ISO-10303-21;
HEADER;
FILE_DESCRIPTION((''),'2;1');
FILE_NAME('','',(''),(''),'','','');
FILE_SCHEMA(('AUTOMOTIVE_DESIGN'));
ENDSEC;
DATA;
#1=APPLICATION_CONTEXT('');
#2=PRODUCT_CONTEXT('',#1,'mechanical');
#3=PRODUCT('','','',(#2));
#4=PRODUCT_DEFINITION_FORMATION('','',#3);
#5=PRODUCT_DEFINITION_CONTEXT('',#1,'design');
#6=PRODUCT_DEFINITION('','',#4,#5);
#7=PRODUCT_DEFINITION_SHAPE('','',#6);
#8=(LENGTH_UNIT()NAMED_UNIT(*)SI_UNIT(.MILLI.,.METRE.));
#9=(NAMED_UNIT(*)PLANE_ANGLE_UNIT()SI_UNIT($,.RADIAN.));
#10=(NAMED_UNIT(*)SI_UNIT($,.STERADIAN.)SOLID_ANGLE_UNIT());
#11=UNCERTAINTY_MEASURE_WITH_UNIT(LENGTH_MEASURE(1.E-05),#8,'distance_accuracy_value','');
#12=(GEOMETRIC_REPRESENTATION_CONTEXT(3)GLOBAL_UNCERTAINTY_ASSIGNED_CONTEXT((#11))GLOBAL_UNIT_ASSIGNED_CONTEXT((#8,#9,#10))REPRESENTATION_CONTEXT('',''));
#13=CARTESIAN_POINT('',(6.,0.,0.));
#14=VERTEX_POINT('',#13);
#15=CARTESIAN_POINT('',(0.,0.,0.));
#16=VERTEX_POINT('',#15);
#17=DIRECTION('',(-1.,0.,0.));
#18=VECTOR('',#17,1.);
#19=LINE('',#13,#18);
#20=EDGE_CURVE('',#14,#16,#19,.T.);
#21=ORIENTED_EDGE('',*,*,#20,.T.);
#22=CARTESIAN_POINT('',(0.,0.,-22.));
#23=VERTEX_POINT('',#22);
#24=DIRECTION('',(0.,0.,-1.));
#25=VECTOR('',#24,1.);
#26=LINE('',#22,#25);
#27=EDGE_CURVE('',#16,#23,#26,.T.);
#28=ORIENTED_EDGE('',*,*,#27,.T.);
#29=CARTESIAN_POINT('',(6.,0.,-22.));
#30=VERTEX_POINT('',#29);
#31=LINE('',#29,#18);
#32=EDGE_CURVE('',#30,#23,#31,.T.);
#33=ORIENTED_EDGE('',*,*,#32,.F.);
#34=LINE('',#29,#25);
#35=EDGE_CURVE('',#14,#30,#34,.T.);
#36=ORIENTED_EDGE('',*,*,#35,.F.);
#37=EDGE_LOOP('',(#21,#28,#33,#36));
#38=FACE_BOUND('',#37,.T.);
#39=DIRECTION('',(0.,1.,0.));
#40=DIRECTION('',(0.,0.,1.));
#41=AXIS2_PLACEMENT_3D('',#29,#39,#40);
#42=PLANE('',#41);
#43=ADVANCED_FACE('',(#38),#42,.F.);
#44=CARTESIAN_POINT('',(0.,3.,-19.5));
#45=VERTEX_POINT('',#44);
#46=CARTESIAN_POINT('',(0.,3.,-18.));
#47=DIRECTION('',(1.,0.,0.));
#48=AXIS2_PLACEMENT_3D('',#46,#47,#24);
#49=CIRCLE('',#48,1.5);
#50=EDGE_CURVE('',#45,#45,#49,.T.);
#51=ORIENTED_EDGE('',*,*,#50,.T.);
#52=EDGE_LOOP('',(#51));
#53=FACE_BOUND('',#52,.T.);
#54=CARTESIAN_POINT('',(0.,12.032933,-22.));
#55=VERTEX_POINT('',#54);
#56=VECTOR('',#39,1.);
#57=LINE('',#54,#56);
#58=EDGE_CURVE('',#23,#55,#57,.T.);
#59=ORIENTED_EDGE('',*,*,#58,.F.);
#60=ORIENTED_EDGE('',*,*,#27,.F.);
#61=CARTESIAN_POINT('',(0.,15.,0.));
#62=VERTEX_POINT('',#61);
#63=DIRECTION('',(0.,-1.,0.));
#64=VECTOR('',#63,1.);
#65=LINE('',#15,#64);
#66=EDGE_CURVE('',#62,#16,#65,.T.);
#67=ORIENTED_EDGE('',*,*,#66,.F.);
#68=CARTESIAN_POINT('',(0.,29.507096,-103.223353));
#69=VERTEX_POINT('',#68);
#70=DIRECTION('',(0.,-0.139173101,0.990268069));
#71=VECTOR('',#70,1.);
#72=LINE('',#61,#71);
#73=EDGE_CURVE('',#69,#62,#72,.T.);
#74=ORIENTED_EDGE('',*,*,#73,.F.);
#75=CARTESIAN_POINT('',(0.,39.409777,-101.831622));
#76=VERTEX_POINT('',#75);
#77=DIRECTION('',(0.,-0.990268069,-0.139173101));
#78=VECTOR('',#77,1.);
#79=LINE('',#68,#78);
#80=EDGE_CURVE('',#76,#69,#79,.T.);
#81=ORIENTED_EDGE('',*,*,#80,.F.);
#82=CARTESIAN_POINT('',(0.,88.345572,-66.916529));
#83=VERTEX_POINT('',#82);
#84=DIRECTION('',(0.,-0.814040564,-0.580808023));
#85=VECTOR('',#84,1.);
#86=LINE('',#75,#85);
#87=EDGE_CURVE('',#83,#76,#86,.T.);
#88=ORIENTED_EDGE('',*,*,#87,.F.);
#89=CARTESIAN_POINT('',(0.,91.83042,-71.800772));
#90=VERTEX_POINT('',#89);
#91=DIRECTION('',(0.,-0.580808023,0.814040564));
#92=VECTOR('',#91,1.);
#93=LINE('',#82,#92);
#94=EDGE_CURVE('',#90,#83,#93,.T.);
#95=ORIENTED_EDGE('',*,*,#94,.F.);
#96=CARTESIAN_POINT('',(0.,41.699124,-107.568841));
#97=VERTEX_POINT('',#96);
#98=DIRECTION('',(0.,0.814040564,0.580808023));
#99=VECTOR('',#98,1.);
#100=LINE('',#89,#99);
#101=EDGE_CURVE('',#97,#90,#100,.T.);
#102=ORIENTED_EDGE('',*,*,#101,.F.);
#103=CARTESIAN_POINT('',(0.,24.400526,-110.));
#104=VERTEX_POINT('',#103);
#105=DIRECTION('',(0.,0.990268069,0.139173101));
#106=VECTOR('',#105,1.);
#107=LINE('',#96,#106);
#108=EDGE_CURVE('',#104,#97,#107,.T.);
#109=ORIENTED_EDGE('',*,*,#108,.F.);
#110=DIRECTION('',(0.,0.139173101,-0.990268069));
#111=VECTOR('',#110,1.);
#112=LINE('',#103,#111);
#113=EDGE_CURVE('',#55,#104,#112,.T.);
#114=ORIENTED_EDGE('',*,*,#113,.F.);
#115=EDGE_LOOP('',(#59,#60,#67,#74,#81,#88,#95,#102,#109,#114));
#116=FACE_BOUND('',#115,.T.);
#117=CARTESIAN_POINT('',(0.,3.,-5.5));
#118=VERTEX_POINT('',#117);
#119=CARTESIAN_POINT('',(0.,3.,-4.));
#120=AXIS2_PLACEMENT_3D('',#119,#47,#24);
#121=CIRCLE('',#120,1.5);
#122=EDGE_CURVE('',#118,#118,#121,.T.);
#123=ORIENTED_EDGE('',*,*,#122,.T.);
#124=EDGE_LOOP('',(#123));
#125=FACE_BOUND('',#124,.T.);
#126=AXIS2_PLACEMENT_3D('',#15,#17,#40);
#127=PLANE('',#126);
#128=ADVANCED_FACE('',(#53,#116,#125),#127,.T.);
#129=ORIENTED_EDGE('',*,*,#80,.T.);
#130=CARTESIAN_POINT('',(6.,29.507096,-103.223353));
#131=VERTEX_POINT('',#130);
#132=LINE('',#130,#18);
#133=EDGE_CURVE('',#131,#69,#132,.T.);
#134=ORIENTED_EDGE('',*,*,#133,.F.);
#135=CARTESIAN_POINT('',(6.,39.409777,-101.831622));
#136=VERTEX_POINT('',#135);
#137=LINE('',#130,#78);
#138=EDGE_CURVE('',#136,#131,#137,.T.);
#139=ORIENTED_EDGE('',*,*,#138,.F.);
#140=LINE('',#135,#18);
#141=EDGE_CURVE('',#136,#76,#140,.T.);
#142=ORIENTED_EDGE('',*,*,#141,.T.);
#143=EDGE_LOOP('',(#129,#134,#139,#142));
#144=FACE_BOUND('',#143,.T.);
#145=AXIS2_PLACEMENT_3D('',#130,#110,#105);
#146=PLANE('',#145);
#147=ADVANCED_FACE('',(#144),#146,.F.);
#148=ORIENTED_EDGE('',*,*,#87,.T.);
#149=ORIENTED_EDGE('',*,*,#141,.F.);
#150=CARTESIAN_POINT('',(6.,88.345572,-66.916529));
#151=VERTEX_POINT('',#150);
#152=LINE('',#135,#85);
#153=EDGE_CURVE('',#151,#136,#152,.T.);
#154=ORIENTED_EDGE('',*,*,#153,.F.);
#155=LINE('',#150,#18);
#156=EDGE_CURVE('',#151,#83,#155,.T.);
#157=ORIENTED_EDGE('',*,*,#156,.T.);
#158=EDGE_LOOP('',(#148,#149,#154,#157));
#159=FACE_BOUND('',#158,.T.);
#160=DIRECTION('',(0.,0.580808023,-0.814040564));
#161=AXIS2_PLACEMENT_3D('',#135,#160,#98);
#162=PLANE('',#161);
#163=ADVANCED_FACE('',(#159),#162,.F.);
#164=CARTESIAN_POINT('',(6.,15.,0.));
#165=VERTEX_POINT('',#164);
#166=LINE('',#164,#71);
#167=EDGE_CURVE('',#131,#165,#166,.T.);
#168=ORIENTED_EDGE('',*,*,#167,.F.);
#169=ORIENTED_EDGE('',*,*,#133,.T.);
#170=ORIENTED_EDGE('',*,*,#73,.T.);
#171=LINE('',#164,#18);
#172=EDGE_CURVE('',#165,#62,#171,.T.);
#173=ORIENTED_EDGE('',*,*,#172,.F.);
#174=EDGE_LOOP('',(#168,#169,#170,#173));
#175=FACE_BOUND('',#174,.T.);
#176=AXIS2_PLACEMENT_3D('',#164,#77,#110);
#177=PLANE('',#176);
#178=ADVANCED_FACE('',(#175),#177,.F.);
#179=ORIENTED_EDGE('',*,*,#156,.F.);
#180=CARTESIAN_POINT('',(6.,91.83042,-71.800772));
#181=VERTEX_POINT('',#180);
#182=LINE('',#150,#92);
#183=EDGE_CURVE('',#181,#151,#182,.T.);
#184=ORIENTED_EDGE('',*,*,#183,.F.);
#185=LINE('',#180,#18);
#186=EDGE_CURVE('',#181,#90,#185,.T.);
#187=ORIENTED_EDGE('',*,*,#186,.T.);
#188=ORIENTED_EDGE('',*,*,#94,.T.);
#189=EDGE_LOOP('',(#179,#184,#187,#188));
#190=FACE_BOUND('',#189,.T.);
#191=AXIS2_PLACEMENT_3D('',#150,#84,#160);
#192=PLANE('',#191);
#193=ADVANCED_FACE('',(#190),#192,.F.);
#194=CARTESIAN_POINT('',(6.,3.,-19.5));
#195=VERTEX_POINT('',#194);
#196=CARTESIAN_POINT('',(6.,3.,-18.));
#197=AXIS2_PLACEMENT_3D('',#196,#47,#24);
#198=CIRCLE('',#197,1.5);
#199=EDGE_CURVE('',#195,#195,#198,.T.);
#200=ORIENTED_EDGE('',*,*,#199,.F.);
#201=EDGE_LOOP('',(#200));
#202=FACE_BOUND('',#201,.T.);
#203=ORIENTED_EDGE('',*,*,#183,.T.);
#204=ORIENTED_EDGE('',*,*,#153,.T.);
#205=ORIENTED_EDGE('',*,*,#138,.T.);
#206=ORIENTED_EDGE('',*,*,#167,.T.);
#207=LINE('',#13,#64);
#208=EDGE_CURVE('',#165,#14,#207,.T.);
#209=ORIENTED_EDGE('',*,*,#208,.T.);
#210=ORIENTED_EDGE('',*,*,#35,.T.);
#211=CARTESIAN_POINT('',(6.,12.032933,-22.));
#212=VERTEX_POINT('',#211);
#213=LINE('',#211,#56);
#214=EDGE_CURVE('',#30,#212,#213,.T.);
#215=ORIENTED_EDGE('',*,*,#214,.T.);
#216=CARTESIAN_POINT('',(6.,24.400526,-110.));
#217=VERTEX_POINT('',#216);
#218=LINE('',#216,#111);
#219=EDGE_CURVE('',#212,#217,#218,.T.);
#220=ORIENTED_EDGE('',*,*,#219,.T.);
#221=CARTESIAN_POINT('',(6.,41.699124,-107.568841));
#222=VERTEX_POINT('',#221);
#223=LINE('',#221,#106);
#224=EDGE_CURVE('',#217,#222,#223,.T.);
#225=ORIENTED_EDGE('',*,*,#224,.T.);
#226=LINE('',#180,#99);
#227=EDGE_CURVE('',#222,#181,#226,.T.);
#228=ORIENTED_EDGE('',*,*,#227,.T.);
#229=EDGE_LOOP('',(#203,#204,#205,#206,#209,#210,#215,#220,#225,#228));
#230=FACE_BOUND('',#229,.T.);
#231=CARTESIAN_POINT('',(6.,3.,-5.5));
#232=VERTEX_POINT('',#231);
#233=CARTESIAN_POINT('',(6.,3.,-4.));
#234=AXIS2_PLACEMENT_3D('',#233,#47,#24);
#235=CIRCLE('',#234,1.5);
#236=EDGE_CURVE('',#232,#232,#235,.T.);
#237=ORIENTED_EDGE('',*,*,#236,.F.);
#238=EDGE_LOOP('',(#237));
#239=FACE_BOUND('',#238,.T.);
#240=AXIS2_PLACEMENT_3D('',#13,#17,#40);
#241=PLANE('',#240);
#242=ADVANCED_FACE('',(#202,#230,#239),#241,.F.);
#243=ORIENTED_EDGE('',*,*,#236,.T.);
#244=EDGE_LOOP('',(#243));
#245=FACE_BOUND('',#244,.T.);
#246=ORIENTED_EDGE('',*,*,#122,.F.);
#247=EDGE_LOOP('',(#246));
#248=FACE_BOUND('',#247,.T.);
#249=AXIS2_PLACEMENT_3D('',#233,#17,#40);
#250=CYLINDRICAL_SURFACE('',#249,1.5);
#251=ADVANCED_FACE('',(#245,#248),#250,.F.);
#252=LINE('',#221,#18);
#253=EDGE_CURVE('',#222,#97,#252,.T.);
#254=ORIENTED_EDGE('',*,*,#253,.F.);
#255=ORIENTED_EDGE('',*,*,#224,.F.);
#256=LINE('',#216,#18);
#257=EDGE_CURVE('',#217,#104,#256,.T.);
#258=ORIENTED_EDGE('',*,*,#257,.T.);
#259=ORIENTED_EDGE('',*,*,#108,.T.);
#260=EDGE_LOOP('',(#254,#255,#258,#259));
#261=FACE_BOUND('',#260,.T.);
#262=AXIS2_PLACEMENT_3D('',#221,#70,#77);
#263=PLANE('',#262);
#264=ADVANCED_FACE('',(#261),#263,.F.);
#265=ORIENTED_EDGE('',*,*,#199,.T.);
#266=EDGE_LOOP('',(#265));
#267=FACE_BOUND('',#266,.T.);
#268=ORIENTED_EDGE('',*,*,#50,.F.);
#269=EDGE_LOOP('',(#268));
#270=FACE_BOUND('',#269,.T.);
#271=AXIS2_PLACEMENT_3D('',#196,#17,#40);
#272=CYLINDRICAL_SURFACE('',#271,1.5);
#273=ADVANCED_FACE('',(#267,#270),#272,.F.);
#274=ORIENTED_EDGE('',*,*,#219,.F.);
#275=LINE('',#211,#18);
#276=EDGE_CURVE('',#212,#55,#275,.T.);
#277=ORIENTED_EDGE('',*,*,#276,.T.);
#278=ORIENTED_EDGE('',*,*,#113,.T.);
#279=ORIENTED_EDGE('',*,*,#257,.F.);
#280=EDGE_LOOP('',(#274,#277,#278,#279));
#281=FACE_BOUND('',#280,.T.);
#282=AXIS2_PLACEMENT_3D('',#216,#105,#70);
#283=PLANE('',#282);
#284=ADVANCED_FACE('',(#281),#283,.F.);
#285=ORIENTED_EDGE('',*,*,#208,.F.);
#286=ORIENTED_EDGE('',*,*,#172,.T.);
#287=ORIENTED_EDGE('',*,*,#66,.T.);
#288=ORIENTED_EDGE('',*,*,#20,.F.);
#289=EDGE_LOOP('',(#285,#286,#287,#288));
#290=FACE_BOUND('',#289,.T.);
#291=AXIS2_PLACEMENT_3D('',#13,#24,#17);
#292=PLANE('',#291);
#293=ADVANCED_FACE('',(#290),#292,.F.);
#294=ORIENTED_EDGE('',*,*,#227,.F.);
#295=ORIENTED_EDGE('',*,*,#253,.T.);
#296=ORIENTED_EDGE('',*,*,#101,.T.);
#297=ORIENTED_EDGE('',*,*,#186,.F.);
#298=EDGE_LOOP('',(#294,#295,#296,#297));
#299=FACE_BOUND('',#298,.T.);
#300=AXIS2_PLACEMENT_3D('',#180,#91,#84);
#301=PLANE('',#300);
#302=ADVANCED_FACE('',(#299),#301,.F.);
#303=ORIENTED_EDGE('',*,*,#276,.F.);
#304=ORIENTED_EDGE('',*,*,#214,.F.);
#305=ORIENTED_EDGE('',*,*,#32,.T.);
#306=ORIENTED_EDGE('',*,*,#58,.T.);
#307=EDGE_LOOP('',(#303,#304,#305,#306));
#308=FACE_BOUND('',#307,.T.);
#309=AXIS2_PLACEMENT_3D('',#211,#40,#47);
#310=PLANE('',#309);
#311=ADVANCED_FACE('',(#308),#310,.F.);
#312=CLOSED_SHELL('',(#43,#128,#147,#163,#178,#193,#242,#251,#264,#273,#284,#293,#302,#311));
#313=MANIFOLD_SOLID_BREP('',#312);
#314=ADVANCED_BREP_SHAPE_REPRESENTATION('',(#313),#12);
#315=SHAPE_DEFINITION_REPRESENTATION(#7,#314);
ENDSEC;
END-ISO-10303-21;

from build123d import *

# Parameters (mm, degrees)
SKETCH1_R           = 1.5
BOSS_EXTRUDE1_DEPTH = 6


with BuildPart() as part:
    # Sketch1 → Boss-Extrude1 (new body)
    with BuildSketch(Plane(origin=(0, 0, 0), x_dir=(0, 0, -1), z_dir=(1, 0, 0))):
        Polygon((0, 0), (0, 15), (103.223352982, 29.507096189), (101.831621972, 39.409776876), (66.916528588, 88.345571837), (71.800771975, 91.830419975), (107.568840624, 41.699124196), (110, 24.400526382), (22, 12.032932928), (22, 0), align=None)
        with Locations((4, 3)):
            Circle(SKETCH1_R, mode=Mode.SUBTRACT)
        with Locations((18, 3)):
            Circle(SKETCH1_R, mode=Mode.SUBTRACT)
    extrude(amount=BOSS_EXTRUDE1_DEPTH)


solid = part.part
